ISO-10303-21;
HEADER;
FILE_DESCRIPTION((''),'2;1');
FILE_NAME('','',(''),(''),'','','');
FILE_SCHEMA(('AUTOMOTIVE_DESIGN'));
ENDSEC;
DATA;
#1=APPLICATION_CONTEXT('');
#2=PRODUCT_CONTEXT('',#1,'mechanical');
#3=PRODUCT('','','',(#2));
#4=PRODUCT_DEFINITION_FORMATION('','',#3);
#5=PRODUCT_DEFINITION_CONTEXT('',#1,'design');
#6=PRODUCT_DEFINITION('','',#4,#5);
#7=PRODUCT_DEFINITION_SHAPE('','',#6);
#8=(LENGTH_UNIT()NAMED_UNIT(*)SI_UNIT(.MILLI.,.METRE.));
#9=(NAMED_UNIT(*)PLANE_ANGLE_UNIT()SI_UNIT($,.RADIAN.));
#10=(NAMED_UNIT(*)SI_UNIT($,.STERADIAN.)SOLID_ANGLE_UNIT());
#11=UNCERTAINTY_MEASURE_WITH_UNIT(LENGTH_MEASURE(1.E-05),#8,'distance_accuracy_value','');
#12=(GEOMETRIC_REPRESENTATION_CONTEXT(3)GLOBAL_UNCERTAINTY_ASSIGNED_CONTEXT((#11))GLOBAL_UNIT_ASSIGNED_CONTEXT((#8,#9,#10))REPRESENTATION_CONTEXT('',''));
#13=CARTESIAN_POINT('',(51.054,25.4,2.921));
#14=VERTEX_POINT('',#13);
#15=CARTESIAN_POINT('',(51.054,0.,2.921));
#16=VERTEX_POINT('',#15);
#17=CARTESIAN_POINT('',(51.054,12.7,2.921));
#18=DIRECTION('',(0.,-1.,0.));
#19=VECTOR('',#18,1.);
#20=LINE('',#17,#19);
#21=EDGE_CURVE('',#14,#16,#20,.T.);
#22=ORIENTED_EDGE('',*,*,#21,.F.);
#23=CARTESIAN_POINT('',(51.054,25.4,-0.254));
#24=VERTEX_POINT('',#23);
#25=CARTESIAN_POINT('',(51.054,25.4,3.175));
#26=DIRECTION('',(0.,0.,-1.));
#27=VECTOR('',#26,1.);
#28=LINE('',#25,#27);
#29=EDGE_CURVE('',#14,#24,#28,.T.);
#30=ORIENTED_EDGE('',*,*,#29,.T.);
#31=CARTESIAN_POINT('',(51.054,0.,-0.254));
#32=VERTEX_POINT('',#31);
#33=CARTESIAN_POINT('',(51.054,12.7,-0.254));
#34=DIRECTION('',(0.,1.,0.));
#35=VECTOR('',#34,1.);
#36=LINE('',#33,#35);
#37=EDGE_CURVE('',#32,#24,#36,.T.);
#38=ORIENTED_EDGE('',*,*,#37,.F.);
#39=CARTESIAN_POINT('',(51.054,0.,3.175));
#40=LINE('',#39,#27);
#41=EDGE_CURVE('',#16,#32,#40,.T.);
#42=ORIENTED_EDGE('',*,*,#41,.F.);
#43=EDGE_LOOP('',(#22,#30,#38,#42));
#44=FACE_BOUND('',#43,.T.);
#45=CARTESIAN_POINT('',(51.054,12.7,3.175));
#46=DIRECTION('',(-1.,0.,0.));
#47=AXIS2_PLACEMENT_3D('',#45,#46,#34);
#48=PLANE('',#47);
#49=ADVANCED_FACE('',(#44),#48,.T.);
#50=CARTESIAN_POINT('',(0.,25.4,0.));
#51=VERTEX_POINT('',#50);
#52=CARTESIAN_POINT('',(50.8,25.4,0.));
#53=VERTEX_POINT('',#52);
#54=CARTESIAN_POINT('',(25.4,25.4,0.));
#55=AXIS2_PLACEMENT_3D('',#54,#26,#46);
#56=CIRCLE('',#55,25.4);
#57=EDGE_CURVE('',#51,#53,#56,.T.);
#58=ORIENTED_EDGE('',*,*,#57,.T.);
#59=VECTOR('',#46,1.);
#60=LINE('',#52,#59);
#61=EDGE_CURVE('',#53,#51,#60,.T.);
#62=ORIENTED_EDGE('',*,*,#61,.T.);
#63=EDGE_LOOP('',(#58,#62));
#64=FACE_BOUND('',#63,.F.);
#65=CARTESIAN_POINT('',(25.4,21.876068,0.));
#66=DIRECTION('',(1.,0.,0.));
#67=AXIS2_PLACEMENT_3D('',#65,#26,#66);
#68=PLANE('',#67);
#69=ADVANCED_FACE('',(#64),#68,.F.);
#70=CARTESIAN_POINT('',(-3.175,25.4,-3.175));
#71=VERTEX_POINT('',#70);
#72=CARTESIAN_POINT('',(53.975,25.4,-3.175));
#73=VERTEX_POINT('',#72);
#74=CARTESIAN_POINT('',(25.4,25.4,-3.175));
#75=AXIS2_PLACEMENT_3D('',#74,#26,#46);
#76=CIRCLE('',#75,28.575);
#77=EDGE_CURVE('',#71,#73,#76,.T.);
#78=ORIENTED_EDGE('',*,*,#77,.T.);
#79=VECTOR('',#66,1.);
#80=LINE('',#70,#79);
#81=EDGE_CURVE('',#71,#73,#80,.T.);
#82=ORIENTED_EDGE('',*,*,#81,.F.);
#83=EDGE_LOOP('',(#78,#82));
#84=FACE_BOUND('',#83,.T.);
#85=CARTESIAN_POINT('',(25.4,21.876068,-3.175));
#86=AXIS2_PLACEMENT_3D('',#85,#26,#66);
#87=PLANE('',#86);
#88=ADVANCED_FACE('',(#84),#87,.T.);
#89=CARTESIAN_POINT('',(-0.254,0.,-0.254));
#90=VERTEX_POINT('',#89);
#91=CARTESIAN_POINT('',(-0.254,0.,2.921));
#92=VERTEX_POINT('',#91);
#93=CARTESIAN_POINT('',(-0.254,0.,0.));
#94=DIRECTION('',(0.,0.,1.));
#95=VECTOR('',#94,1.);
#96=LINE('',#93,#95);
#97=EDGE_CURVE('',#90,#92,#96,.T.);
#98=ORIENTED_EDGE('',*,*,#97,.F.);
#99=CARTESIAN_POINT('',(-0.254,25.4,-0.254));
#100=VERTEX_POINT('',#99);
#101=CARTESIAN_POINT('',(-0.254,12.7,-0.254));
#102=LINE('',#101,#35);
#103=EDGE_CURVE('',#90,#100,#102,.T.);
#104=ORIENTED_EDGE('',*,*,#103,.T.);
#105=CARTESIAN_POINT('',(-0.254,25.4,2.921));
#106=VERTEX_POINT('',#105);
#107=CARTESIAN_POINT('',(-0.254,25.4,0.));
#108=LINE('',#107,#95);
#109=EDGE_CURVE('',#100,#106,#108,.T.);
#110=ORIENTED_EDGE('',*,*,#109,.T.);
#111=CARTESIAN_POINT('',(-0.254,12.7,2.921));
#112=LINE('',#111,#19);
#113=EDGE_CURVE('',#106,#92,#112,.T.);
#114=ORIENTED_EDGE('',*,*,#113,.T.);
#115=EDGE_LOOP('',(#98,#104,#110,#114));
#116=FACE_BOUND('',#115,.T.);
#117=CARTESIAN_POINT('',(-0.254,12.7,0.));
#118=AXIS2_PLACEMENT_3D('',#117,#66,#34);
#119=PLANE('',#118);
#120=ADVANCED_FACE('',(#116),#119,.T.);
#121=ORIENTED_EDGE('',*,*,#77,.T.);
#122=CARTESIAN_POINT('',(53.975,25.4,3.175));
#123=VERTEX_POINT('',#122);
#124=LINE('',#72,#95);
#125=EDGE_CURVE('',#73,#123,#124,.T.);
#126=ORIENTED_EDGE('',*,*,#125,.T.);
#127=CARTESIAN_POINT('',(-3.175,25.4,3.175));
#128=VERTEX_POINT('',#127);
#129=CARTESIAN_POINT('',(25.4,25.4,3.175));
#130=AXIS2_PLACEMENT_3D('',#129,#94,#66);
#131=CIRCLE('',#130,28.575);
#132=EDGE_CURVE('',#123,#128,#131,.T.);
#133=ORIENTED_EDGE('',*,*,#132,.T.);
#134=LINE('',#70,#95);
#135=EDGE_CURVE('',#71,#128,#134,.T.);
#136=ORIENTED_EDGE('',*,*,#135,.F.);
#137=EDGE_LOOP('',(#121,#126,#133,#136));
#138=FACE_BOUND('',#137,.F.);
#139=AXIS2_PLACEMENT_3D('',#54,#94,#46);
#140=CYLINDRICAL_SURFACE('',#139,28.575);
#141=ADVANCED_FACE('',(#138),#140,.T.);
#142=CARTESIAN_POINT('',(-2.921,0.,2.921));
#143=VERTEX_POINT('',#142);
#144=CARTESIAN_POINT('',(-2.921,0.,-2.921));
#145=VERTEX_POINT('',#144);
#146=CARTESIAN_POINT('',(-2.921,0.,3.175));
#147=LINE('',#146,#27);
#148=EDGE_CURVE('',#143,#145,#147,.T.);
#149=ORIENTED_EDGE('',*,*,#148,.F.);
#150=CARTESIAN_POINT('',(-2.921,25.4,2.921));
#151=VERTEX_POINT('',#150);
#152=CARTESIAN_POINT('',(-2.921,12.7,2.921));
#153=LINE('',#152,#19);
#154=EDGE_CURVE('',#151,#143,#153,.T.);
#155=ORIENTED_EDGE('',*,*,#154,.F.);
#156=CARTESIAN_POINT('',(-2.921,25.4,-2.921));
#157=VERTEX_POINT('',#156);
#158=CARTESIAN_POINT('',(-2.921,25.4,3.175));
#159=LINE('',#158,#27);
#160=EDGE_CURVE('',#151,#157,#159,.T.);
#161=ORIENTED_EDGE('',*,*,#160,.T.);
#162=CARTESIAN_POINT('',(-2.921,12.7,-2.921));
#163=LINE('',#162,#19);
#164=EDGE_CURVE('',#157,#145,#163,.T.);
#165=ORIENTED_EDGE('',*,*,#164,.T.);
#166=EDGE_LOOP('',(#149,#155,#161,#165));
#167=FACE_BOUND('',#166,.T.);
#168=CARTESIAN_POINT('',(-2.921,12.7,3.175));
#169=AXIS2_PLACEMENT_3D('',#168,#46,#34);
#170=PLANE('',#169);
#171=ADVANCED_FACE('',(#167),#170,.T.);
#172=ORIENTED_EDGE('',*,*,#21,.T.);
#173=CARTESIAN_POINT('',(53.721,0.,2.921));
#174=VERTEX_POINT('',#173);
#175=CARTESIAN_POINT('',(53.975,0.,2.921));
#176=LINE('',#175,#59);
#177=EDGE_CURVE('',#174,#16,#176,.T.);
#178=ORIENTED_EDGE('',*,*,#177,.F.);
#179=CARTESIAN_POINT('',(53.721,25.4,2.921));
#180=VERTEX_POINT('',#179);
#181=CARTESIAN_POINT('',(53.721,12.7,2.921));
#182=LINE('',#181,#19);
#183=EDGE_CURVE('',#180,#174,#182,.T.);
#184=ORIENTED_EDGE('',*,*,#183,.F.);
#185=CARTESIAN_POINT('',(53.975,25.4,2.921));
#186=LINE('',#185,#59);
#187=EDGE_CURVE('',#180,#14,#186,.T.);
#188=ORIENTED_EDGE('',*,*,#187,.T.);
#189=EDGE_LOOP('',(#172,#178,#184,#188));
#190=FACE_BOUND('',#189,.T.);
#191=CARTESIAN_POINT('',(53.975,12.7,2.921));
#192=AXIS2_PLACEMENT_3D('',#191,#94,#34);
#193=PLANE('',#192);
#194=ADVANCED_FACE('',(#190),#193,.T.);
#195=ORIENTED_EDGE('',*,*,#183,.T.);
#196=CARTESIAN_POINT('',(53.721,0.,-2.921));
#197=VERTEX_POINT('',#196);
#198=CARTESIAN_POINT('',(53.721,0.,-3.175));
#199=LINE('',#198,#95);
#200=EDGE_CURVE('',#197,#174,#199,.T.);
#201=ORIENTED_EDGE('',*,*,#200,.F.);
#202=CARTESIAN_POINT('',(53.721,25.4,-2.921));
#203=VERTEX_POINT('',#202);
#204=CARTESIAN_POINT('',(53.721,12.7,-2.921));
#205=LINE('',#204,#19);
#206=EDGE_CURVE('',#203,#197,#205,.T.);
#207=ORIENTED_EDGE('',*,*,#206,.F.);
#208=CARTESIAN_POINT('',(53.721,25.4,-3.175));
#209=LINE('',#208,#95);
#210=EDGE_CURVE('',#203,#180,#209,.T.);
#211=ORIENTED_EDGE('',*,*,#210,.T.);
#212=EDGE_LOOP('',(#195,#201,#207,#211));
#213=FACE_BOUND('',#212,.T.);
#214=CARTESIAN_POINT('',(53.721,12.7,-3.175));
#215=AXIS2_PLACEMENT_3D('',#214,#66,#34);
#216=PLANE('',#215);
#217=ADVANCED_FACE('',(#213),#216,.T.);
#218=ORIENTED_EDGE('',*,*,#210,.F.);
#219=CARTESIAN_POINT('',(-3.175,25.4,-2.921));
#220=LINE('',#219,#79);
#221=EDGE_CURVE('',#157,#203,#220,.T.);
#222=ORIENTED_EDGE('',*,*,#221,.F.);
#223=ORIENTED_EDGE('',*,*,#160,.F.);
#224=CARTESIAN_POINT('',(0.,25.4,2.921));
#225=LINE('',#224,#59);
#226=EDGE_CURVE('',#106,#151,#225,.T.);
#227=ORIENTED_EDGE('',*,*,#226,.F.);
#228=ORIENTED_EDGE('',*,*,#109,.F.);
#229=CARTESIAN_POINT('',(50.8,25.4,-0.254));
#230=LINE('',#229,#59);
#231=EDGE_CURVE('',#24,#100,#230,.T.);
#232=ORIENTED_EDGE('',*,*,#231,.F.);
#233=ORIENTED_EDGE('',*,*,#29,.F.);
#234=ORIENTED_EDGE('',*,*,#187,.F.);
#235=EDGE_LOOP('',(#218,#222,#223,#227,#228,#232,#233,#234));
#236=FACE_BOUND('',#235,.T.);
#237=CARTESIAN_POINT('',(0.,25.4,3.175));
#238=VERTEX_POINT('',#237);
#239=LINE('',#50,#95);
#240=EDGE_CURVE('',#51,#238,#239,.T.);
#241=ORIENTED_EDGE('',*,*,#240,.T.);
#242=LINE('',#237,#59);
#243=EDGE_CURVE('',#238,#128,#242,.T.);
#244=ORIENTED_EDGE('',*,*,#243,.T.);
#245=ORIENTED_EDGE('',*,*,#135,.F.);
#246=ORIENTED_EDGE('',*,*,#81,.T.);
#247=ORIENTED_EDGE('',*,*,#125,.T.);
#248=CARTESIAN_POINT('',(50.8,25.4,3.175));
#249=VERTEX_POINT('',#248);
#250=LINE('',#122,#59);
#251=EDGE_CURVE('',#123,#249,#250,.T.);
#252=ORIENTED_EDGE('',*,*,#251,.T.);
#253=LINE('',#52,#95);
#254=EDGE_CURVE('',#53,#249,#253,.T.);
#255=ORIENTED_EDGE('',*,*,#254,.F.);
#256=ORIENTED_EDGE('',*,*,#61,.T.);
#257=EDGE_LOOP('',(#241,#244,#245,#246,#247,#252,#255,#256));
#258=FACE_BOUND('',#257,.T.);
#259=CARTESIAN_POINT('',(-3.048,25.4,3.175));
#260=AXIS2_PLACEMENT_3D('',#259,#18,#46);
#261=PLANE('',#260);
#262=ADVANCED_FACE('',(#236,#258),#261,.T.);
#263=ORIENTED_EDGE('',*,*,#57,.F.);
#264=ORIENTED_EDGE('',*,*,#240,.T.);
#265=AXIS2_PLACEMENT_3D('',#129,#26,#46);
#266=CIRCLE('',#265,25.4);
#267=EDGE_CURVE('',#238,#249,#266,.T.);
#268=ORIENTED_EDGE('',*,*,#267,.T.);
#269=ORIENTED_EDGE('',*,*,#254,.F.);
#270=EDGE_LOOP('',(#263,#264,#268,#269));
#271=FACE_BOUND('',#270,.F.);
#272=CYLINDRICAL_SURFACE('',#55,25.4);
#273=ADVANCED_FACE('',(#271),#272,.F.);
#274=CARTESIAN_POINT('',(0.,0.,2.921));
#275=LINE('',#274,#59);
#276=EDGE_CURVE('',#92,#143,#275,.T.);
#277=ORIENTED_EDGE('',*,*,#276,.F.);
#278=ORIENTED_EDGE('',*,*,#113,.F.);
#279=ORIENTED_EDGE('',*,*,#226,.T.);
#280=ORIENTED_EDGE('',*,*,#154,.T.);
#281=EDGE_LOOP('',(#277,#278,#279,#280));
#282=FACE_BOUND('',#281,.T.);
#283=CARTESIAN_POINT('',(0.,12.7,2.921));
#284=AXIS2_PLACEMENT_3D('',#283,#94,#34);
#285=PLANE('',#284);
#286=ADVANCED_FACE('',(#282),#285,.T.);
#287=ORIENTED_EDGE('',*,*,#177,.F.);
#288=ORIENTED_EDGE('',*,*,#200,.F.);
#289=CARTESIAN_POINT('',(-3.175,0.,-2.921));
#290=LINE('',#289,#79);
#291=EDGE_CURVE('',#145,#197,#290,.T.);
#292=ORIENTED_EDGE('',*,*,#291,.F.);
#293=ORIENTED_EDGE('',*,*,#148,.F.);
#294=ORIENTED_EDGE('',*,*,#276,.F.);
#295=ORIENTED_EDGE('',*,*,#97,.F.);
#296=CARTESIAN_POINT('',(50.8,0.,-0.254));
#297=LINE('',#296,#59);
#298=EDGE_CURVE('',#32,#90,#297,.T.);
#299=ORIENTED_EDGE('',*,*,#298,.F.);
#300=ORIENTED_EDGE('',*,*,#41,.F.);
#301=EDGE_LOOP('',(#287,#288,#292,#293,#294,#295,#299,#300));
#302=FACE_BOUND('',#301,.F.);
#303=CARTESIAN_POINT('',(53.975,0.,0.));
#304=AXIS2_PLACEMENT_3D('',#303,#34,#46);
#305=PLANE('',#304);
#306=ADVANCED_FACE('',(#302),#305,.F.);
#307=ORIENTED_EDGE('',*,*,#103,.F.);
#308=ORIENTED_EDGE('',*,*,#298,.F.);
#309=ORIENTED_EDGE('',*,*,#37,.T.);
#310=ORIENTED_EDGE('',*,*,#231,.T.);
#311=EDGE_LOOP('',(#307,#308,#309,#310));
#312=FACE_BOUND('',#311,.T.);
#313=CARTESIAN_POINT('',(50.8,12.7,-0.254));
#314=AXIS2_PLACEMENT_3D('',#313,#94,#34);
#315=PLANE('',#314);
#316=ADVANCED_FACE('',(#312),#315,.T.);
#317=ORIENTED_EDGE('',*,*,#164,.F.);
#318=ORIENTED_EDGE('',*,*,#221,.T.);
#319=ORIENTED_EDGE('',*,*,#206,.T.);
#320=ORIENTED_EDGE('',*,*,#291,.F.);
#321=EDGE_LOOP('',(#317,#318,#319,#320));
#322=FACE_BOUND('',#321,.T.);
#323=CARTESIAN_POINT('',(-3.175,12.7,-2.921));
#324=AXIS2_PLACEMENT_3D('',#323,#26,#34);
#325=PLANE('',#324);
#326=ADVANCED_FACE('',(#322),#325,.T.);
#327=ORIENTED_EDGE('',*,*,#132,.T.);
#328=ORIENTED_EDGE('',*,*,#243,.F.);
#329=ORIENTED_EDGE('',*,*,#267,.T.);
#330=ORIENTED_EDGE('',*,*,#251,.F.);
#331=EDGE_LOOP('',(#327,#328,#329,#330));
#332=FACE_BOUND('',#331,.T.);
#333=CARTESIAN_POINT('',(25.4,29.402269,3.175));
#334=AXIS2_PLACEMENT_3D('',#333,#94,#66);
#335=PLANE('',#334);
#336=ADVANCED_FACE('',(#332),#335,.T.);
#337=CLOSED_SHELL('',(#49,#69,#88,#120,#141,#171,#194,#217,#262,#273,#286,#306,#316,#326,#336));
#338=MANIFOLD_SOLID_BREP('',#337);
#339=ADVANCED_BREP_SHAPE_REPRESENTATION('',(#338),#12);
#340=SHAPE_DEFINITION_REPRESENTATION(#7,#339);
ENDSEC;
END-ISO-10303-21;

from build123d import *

# Parameters (mm, degrees)
F1_DEPTH = 3.175
F3_DEPTH = 3.175
F4_W     = 0.254
F4_H     = 25.4


with BuildPart() as f1:
    # F0 (on Top) → F1 (new body)
    with BuildSketch(Plane.XY):
        with BuildLine():
            Line((-3.175, 0), (0, 0))
            Line((0, 0), (0, 25.4))
            ThreePointArc((0, 25.4), (25.4, 50.8), (50.8, 25.4))
            Line((50.8, 25.4), (50.8, 0))
            Line((50.8, 0), (53.975, 0))
            Line((53.975, 0), (53.975, 25.4))
            ThreePointArc((53.975, 25.4), (25.4, 53.975), (-3.175, 25.4))
            Line((-3.175, 25.4), (-3.175, 0))
        make_face()
    extrude(amount=F1_DEPTH)

    # F2 (on face) → F3 (join)
    with BuildSketch(Plane(origin=(0, 0, 0), x_dir=(1, 0, 0), z_dir=(0, 0, -1))):
        with BuildLine():
            Line((53.975, -25.4), (53.975, 0))
            Line((53.975, 0), (-3.175, 0))
            Line((-3.175, 0), (-3.175, -25.4))
            ThreePointArc((-3.175, -25.4), (25.4, -53.975), (53.975, -25.4))
        make_face()
    extrude(amount=F3_DEPTH)

    # F5: sweep along a path in F5_path
    with BuildLine(Plane(origin=(-3.175, 0, 3.175), x_dir=(0, 0, -1), z_dir=(0, 1, 0))) as f5_path:
        Line((0, 0), (6.35, 0))
        Line((6.35, 0), (6.35, -57.15))
        Line((6.35, -57.15), (0, -57.15))
        Line((0, -57.15), (0, -53.975))
        Line((0, -53.975), (3.175, -53.975))
        Line((3.175, -53.975), (3.175, -3.175))
        Line((3.175, -3.175), (0, -3.175))
        Line((0, -3.175), (0, 0))
    # F4 (on face) → F5 (sweep, cut)
    with BuildSketch(Plane.XY.offset(3.175)):
        with Locations((-3.048, 12.7)):
            Rectangle(F4_W, F4_H)
    sweep(path=f5_path.line, transition=Transition.RIGHT, mode=Mode.SUBTRACT)


solid = f1.part
